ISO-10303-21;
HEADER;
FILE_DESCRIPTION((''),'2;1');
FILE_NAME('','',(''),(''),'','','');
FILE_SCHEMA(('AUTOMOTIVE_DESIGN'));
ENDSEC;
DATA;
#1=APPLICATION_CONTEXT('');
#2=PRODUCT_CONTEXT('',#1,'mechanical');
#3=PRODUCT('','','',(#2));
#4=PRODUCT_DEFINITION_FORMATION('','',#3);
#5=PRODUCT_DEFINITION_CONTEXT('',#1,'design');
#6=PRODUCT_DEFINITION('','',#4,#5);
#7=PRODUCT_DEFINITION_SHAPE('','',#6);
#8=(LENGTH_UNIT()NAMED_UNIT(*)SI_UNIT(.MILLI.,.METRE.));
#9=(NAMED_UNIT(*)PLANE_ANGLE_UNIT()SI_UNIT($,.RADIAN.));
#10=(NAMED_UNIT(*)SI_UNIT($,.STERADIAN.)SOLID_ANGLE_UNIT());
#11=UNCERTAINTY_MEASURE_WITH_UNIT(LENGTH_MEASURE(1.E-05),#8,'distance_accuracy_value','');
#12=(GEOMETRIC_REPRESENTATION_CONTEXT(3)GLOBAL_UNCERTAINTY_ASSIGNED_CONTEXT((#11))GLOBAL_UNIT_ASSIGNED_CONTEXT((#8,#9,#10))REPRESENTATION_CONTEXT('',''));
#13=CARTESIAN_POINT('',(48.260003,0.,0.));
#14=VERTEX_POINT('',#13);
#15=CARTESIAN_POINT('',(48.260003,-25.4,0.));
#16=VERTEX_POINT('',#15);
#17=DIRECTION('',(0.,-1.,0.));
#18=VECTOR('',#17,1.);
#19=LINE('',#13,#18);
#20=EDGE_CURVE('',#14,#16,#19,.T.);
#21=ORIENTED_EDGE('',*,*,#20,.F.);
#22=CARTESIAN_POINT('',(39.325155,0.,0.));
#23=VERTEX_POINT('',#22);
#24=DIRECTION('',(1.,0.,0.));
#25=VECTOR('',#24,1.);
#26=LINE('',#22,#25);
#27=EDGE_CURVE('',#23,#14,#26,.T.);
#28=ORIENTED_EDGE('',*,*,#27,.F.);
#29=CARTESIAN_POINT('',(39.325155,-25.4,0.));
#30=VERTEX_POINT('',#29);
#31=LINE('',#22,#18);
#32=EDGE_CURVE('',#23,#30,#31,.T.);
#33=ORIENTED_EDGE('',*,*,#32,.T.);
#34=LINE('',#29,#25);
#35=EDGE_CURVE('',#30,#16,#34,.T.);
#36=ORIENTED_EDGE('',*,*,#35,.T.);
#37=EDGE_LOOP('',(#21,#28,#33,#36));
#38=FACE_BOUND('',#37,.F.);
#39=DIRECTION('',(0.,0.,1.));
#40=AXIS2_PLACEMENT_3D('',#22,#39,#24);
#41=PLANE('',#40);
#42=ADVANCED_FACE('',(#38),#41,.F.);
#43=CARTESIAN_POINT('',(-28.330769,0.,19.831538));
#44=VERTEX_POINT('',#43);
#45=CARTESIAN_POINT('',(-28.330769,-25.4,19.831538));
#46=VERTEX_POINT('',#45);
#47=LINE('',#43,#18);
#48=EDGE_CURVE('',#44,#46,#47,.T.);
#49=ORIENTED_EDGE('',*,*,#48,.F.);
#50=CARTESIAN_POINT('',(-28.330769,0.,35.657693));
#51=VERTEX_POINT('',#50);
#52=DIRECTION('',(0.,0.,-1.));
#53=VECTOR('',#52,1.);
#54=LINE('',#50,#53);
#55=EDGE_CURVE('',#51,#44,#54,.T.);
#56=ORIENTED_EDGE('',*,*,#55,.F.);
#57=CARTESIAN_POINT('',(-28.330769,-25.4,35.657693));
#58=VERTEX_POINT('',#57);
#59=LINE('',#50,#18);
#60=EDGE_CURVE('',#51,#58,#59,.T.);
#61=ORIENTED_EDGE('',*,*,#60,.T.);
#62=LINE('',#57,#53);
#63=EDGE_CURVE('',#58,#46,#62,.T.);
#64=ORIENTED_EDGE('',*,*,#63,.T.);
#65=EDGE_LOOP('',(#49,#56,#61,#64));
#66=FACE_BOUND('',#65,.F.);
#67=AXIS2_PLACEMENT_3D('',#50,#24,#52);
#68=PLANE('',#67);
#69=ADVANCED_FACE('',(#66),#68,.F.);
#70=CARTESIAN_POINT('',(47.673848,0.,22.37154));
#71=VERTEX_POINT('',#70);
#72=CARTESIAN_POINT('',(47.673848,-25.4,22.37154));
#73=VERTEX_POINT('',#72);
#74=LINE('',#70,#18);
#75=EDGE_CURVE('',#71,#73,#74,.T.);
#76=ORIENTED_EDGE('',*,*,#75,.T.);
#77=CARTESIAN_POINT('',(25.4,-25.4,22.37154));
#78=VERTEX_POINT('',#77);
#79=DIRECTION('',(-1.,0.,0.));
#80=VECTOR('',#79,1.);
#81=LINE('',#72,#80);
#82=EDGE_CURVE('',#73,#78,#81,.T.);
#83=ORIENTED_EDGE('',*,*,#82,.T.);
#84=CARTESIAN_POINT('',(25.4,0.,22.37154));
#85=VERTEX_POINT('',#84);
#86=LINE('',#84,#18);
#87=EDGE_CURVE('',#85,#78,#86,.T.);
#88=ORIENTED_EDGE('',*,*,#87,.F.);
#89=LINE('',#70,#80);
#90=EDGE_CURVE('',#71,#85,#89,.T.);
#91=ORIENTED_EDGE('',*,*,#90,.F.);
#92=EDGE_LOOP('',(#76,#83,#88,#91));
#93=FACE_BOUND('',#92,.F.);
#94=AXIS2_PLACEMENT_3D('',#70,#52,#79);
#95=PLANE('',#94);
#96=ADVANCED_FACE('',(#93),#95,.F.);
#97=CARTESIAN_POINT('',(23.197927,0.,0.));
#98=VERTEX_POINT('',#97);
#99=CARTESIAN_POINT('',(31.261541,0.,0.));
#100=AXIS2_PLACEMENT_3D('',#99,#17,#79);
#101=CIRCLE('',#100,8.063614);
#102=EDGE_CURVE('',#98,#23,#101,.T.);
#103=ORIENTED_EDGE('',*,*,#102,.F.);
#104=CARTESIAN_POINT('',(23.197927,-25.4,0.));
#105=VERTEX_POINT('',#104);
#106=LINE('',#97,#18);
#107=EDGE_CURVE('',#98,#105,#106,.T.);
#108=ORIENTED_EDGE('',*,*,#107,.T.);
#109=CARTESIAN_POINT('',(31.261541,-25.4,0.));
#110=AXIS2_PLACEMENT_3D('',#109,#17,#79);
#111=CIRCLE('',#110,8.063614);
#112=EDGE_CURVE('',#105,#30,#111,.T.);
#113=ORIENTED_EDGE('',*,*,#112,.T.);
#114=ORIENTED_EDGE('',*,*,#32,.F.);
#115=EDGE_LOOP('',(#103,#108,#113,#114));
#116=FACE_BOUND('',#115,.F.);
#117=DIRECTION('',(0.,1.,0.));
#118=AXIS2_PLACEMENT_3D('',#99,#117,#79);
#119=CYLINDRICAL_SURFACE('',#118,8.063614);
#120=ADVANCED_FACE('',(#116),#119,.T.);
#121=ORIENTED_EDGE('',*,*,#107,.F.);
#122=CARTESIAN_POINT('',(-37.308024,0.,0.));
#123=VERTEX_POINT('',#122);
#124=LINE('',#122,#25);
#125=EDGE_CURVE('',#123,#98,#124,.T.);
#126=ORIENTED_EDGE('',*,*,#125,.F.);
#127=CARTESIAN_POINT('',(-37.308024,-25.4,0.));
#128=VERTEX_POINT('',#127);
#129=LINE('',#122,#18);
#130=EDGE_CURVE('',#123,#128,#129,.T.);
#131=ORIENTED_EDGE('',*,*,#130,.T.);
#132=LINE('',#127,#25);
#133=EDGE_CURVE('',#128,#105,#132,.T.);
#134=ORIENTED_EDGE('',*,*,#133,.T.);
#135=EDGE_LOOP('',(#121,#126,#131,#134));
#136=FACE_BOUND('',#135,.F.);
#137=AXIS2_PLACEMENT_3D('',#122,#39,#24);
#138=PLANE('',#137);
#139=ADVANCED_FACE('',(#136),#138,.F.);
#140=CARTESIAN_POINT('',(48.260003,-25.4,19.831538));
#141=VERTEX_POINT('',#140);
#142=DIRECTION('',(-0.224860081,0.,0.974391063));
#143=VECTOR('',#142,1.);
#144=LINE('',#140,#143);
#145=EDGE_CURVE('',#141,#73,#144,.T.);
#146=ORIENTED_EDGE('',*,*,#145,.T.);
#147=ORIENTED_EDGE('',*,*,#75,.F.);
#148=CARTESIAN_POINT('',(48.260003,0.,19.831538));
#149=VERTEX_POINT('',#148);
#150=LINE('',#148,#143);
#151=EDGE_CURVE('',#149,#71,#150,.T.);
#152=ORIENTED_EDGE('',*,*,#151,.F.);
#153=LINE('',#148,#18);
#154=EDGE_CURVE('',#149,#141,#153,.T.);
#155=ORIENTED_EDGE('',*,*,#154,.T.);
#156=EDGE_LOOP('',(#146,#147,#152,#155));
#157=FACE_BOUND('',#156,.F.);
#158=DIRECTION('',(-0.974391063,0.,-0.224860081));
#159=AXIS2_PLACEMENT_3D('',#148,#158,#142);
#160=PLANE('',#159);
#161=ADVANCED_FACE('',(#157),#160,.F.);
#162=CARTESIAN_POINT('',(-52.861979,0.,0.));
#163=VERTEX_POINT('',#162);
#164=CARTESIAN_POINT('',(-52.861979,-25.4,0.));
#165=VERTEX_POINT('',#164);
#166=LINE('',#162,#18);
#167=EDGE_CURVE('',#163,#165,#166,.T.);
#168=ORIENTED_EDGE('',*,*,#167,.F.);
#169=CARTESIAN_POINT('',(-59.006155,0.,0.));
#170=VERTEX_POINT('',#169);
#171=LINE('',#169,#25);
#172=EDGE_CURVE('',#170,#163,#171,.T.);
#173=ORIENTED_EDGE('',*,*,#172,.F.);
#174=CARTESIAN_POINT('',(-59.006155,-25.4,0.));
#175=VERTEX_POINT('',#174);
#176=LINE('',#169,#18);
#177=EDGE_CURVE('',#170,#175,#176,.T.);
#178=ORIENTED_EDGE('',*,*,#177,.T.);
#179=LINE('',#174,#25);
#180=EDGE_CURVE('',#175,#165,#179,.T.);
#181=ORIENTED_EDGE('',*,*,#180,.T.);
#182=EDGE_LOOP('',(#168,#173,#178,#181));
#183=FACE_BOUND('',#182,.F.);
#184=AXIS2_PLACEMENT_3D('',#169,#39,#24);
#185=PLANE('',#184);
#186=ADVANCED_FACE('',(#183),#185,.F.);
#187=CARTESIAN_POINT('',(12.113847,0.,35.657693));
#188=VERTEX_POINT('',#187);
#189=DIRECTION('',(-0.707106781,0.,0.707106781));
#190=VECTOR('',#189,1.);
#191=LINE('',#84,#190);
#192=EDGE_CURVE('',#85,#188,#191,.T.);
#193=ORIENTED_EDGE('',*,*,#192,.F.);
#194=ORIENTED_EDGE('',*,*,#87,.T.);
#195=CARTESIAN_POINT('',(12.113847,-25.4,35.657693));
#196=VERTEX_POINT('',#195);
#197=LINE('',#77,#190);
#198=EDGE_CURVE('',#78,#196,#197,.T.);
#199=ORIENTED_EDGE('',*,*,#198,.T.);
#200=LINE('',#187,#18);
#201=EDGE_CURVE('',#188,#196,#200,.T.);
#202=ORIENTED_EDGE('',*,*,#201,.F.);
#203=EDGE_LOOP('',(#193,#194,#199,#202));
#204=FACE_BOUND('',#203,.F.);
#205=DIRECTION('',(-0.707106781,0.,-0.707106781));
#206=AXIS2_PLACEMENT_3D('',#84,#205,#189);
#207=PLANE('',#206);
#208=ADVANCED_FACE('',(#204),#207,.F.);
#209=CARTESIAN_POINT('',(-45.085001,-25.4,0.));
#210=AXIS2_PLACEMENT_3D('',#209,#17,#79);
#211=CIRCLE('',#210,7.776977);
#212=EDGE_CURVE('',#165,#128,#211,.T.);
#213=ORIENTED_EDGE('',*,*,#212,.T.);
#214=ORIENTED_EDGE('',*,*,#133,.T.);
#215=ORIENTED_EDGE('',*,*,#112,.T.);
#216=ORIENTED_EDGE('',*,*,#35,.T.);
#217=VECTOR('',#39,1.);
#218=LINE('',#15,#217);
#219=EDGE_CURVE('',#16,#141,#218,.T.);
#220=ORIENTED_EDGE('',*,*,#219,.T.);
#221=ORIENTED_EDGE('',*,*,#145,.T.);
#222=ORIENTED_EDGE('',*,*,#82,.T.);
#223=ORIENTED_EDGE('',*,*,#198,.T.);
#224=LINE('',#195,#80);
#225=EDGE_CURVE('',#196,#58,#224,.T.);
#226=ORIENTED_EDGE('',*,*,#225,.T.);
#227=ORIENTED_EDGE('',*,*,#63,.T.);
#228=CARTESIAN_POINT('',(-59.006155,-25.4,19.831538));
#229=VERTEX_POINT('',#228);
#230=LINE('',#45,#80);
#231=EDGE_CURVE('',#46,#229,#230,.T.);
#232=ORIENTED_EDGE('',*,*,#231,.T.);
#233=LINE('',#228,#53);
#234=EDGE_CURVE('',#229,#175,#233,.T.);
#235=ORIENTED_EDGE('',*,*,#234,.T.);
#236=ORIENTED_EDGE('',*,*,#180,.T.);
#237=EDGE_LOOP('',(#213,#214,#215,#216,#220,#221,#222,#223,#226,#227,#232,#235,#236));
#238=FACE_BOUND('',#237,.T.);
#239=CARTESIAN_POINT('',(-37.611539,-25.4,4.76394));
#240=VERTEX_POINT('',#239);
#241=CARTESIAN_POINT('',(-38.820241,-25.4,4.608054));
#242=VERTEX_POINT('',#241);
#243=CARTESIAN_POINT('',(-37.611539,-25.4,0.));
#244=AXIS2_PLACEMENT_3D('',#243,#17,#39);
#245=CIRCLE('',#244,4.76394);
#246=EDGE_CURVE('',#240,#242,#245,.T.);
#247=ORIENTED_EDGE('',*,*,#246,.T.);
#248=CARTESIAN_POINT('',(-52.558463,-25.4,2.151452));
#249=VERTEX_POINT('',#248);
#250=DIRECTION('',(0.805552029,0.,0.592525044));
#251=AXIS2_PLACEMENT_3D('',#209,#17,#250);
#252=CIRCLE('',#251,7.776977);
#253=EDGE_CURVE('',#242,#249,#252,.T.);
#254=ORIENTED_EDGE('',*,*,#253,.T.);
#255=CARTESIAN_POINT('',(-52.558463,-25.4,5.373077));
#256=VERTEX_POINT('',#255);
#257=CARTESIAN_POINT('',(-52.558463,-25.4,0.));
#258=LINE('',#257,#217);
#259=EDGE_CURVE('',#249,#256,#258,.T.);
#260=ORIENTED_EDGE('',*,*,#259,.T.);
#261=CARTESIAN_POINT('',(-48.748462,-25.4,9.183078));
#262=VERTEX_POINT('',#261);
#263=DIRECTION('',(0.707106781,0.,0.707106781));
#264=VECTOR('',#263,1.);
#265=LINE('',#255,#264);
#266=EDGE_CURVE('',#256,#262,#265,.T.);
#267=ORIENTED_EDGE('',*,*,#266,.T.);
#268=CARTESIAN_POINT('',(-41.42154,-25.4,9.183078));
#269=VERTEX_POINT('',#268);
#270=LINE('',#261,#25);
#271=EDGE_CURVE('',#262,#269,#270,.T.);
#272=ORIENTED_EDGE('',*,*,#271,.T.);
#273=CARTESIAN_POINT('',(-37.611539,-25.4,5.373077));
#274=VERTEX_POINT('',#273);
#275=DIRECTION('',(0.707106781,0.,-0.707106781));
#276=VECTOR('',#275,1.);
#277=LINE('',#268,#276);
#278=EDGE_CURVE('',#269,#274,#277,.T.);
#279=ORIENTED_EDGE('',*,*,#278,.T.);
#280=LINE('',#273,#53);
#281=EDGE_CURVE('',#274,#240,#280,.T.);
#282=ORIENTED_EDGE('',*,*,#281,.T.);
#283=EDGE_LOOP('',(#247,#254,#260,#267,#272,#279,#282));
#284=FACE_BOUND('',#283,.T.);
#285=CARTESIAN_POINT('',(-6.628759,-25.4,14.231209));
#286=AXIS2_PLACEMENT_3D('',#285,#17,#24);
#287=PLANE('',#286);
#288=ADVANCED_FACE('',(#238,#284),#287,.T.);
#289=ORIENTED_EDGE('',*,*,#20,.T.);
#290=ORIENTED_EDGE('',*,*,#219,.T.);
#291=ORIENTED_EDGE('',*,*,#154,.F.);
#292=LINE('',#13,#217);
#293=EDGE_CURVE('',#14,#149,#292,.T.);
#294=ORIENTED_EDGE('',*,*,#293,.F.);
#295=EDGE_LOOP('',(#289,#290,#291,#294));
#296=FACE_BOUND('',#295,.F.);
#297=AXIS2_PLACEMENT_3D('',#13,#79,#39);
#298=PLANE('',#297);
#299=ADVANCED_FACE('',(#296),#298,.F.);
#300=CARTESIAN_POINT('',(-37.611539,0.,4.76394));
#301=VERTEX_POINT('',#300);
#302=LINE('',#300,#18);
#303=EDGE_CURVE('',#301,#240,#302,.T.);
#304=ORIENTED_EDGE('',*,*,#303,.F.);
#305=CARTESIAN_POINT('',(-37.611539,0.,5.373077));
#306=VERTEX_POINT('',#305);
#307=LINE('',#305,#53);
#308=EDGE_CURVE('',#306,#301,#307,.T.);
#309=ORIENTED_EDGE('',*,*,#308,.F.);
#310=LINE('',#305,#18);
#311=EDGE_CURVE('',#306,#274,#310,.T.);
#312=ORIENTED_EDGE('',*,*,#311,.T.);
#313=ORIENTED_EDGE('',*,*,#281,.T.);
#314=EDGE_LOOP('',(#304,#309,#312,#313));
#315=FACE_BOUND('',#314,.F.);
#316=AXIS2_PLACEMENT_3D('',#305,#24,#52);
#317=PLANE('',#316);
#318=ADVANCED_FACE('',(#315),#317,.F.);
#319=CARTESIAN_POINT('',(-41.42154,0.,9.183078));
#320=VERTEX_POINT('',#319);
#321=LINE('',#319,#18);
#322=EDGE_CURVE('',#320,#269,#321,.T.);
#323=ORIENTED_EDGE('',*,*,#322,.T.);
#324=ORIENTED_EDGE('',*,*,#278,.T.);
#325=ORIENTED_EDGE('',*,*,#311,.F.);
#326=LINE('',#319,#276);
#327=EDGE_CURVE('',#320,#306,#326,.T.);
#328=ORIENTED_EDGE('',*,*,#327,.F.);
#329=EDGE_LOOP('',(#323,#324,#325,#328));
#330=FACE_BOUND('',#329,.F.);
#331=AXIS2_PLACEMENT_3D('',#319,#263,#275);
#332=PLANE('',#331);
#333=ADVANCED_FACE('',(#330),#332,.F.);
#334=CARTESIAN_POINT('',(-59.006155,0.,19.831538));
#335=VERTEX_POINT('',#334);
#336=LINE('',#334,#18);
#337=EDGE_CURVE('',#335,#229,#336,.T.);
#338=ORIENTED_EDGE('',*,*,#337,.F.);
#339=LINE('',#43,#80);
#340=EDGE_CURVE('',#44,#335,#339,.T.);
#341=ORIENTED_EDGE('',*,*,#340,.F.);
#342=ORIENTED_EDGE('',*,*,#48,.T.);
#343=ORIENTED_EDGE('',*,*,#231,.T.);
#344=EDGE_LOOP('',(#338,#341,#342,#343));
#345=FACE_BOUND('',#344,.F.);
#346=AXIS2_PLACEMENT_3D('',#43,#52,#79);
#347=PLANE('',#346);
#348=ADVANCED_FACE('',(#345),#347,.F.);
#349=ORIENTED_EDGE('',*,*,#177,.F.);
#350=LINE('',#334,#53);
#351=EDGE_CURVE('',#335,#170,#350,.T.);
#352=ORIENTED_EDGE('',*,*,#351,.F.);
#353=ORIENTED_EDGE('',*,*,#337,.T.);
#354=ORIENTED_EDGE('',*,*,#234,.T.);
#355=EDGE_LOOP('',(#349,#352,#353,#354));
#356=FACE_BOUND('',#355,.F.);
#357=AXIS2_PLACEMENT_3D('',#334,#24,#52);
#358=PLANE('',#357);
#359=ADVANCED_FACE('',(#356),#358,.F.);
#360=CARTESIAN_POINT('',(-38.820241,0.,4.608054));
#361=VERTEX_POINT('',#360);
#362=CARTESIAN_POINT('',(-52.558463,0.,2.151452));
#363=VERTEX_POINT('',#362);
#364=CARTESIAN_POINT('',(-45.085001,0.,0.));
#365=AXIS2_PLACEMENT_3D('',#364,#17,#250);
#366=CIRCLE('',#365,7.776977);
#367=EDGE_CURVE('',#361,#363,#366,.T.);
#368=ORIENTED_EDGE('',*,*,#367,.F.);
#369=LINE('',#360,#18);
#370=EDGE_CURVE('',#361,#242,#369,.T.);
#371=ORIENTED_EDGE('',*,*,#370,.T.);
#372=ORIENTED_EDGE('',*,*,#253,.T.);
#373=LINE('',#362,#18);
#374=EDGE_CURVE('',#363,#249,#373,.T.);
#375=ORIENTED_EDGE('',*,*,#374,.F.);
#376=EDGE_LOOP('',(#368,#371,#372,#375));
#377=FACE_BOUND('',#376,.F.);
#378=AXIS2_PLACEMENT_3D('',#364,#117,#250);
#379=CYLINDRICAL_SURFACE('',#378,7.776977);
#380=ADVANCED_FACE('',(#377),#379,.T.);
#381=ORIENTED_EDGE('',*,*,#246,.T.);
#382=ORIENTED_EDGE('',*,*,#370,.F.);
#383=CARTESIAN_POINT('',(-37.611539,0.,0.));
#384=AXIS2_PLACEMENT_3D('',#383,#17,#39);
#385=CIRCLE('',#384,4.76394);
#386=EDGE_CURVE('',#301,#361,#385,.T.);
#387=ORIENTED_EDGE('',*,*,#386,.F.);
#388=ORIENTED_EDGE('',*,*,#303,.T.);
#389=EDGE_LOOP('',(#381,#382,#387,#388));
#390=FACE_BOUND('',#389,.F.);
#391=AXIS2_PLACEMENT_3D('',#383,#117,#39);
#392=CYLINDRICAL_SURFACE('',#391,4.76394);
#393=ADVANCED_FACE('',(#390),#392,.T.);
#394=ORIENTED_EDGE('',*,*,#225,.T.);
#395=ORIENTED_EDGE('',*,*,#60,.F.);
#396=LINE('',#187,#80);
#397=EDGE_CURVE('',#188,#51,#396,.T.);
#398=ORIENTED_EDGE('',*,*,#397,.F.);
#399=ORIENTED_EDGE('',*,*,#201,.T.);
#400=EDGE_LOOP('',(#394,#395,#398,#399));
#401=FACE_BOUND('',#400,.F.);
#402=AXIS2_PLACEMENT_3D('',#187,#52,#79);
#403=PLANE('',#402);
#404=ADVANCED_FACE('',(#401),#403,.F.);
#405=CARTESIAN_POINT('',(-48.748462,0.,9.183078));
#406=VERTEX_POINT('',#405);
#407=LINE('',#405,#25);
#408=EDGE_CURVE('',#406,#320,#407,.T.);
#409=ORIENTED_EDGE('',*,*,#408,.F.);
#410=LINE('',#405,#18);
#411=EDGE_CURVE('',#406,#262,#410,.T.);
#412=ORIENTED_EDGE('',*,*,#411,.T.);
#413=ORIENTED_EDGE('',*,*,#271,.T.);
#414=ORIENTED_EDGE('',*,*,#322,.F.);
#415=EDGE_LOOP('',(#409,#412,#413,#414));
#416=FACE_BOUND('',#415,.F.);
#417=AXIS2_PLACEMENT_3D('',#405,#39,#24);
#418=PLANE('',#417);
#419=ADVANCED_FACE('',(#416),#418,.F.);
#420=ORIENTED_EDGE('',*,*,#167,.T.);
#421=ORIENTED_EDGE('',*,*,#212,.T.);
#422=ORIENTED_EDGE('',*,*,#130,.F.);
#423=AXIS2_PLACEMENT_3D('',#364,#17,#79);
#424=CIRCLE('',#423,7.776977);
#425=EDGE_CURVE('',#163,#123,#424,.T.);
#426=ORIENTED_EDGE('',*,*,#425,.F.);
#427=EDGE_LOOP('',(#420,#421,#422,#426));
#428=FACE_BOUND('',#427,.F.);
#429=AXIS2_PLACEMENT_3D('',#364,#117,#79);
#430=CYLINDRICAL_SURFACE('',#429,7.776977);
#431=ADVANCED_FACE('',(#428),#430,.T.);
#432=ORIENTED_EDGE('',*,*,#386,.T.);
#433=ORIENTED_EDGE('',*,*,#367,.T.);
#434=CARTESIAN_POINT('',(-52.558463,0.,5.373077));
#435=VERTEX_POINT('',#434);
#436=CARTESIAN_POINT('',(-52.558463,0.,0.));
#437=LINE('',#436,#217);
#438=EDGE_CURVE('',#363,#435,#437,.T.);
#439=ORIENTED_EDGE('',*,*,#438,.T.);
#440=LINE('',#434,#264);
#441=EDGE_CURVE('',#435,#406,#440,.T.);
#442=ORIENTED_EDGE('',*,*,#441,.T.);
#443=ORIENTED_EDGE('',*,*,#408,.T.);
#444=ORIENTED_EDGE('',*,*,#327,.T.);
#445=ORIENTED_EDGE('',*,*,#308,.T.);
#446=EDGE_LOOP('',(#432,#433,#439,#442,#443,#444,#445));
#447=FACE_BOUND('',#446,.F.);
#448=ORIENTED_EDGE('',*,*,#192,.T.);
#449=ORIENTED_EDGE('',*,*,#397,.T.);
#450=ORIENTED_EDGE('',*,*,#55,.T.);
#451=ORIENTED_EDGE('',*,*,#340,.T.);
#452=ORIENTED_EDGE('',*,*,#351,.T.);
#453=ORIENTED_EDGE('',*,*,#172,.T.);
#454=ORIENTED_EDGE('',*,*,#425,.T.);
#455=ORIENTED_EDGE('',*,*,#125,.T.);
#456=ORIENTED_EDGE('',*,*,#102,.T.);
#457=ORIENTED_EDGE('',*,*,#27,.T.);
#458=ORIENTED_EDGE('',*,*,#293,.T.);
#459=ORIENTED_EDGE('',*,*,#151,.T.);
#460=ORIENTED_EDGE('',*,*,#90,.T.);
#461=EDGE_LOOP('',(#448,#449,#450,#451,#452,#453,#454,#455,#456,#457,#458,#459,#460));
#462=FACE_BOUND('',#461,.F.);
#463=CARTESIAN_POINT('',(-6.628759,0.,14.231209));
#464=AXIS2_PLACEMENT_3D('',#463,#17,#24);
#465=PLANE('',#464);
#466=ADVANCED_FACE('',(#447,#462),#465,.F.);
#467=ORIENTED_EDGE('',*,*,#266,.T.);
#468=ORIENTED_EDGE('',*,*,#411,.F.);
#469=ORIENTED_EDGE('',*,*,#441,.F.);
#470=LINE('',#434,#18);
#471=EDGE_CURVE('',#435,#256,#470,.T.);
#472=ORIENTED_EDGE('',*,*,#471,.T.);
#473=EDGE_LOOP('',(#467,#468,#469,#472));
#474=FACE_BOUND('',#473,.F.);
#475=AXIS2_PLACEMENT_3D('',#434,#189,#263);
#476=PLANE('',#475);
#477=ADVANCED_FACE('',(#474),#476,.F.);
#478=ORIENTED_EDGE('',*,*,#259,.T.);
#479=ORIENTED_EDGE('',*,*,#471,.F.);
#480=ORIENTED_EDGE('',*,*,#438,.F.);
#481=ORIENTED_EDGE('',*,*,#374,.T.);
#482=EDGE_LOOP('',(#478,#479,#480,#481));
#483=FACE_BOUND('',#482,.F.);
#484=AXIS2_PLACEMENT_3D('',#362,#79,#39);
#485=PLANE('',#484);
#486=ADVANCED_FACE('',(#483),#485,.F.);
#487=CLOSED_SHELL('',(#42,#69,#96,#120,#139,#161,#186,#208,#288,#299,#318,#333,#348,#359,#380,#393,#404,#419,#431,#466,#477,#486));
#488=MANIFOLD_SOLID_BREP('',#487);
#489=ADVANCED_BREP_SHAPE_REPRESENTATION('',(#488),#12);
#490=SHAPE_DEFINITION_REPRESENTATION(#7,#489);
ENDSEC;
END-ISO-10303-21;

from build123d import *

# Parameters (mm, degrees)
F1_DEPTH = 25.4


with BuildPart() as f1:
    # F0 (on Front) → F1 (new body)
    with BuildSketch(Plane.XZ):
        with BuildLine():
            Line((-59.0061545372, 19.8315382004), (-59.0061545372, 0))
            Line((-59.0061545372, 0), (-57.6384626329, 0))
            Line((-57.6384626329, 0), (-52.8619785953, 0))
            ThreePointArc((-52.8619785953, 0), (-52.785725887, 1.0863777847), (-52.5584630668, 2.1514518559))
            Line((-52.5584630668, 2.1514518559), (-52.5584630668, 5.3730774671))
            Line((-52.5584630668, 5.3730774671), (-48.7484624609, 9.183078073))
            Line((-48.7484624609, 9.183078073), (-41.4215400815, 9.183078073))
            Line((-41.4215400815, 9.183078073), (-37.6115394756, 5.3730774671))
            Line((-37.6115394756, 5.3730774671), (-37.6115394756, 4.7639395972))
            ThreePointArc((-37.6115394756, 4.7639395972), (-38.2208958426, 4.7248074356), (-38.8202414059, 4.6080538331))
            ThreePointArc((-38.8202414059, 4.6080538331), (-37.6957431315, 2.4249207086), (-37.3080239472, 0))
            Line((-37.3080239472, 0), (23.1979270853, 0))
            ThreePointArc((23.1979270853, 0), (23.2602248919, 1.000404867), (23.446155712, 1.9853518934))
            ThreePointArc((23.446155712, 1.9853518934), (30.0178470159, 7.9671258273), (38.0999986082, 4.2728638401))
            ThreePointArc((38.0999986082, 4.2728638401), (39.0128166681, 2.2225195794), (39.3251548134, 0))
            Line((39.3251548134, 0), (48.2600033283, 0))
            Line((48.2600033283, 0), (48.2600033283, 16.9007703662))
            Line((48.2600033283, 16.9007703662), (48.2600033283, 19.8315382004))
            Line((48.2600033283, 19.8315382004), (47.6738475263, 22.3715398461))
            Line((47.6738475263, 22.3715398461), (25.399999693, 22.3715398461))
            Line((25.399999693, 22.3715398461), (12.1138468385, 35.6576927006))
            Line((12.1138468385, 35.6576927006), (-28.3307693899, 35.6576927006))
            Line((-28.3307693899, 35.6576927006), (-28.3307693899, 19.8315382004))
            Line((-28.3307693899, 19.8315382004), (-59.0061545372, 19.8315382004))
        make_face()
        with BuildLine():
            ThreePointArc((-52.5584630668, 2.1514518559), (-52.785725887, 1.0863777847), (-52.8619785953, 0))
            Line((-52.8619785953, 0), (-52.5584630668, 0))
            Line((-52.5584630668, 0), (-52.5584630668, 2.1514518559))
        make_face()
        with BuildLine():
            Line((-52.5584630668, 0), (-52.8619785953, 0))
            ThreePointArc((-52.8619785953, 0), (-45.0850012712, -7.776977324), (-37.3080239472, 0))
            ThreePointArc((-37.3080239472, 0), (-37.6957431315, 2.4249207086), (-38.8202414059, 4.6080538331))
            ThreePointArc((-38.8202414059, 4.6080538331), (-46.4539291026, 7.6555478505), (-52.5584630668, 2.1514518559))
            Line((-52.5584630668, 2.1514518559), (-52.5584630668, 0))
        make_face()
        with BuildLine():
            Line((23.446155712, 0), (23.1979270853, 0))
            ThreePointArc((23.1979270853, 0), (31.2615409493, -8.0636138641), (39.3251548134, 0))
            Line((39.3251548134, 0), (38.0999986082, 0))
            Line((38.0999986082, 0), (23.446155712, 0))
        make_face()
        with BuildLine():
            ThreePointArc((23.446155712, 1.9853518934), (23.2602248919, 1.000404867), (23.1979270853, 0))
            Line((23.1979270853, 0), (23.446155712, 0))
            Line((23.446155712, 0), (23.446155712, 1.9853518934))
        make_face()
        with BuildLine():
            Line((38.0999986082, 0), (39.3251548134, 0))
            ThreePointArc((39.3251548134, 0), (39.0128166681, 2.2225195794), (38.0999986082, 4.2728638401))
            Line((38.0999986082, 4.2728638401), (38.0999986082, 0))
        make_face()
        with BuildLine():
            ThreePointArc((38.0999986082, 4.2728638401), (30.0178470159, 7.9671258273), (23.446155712, 1.9853518934))
            Line((23.446155712, 1.9853518934), (23.446155712, 0))
            Line((23.446155712, 0), (38.0999986082, 0))
            Line((38.0999986082, 0), (38.0999986082, 4.2728638401))
        make_face()
    extrude(amount=F1_DEPTH)


solid = f1.part
